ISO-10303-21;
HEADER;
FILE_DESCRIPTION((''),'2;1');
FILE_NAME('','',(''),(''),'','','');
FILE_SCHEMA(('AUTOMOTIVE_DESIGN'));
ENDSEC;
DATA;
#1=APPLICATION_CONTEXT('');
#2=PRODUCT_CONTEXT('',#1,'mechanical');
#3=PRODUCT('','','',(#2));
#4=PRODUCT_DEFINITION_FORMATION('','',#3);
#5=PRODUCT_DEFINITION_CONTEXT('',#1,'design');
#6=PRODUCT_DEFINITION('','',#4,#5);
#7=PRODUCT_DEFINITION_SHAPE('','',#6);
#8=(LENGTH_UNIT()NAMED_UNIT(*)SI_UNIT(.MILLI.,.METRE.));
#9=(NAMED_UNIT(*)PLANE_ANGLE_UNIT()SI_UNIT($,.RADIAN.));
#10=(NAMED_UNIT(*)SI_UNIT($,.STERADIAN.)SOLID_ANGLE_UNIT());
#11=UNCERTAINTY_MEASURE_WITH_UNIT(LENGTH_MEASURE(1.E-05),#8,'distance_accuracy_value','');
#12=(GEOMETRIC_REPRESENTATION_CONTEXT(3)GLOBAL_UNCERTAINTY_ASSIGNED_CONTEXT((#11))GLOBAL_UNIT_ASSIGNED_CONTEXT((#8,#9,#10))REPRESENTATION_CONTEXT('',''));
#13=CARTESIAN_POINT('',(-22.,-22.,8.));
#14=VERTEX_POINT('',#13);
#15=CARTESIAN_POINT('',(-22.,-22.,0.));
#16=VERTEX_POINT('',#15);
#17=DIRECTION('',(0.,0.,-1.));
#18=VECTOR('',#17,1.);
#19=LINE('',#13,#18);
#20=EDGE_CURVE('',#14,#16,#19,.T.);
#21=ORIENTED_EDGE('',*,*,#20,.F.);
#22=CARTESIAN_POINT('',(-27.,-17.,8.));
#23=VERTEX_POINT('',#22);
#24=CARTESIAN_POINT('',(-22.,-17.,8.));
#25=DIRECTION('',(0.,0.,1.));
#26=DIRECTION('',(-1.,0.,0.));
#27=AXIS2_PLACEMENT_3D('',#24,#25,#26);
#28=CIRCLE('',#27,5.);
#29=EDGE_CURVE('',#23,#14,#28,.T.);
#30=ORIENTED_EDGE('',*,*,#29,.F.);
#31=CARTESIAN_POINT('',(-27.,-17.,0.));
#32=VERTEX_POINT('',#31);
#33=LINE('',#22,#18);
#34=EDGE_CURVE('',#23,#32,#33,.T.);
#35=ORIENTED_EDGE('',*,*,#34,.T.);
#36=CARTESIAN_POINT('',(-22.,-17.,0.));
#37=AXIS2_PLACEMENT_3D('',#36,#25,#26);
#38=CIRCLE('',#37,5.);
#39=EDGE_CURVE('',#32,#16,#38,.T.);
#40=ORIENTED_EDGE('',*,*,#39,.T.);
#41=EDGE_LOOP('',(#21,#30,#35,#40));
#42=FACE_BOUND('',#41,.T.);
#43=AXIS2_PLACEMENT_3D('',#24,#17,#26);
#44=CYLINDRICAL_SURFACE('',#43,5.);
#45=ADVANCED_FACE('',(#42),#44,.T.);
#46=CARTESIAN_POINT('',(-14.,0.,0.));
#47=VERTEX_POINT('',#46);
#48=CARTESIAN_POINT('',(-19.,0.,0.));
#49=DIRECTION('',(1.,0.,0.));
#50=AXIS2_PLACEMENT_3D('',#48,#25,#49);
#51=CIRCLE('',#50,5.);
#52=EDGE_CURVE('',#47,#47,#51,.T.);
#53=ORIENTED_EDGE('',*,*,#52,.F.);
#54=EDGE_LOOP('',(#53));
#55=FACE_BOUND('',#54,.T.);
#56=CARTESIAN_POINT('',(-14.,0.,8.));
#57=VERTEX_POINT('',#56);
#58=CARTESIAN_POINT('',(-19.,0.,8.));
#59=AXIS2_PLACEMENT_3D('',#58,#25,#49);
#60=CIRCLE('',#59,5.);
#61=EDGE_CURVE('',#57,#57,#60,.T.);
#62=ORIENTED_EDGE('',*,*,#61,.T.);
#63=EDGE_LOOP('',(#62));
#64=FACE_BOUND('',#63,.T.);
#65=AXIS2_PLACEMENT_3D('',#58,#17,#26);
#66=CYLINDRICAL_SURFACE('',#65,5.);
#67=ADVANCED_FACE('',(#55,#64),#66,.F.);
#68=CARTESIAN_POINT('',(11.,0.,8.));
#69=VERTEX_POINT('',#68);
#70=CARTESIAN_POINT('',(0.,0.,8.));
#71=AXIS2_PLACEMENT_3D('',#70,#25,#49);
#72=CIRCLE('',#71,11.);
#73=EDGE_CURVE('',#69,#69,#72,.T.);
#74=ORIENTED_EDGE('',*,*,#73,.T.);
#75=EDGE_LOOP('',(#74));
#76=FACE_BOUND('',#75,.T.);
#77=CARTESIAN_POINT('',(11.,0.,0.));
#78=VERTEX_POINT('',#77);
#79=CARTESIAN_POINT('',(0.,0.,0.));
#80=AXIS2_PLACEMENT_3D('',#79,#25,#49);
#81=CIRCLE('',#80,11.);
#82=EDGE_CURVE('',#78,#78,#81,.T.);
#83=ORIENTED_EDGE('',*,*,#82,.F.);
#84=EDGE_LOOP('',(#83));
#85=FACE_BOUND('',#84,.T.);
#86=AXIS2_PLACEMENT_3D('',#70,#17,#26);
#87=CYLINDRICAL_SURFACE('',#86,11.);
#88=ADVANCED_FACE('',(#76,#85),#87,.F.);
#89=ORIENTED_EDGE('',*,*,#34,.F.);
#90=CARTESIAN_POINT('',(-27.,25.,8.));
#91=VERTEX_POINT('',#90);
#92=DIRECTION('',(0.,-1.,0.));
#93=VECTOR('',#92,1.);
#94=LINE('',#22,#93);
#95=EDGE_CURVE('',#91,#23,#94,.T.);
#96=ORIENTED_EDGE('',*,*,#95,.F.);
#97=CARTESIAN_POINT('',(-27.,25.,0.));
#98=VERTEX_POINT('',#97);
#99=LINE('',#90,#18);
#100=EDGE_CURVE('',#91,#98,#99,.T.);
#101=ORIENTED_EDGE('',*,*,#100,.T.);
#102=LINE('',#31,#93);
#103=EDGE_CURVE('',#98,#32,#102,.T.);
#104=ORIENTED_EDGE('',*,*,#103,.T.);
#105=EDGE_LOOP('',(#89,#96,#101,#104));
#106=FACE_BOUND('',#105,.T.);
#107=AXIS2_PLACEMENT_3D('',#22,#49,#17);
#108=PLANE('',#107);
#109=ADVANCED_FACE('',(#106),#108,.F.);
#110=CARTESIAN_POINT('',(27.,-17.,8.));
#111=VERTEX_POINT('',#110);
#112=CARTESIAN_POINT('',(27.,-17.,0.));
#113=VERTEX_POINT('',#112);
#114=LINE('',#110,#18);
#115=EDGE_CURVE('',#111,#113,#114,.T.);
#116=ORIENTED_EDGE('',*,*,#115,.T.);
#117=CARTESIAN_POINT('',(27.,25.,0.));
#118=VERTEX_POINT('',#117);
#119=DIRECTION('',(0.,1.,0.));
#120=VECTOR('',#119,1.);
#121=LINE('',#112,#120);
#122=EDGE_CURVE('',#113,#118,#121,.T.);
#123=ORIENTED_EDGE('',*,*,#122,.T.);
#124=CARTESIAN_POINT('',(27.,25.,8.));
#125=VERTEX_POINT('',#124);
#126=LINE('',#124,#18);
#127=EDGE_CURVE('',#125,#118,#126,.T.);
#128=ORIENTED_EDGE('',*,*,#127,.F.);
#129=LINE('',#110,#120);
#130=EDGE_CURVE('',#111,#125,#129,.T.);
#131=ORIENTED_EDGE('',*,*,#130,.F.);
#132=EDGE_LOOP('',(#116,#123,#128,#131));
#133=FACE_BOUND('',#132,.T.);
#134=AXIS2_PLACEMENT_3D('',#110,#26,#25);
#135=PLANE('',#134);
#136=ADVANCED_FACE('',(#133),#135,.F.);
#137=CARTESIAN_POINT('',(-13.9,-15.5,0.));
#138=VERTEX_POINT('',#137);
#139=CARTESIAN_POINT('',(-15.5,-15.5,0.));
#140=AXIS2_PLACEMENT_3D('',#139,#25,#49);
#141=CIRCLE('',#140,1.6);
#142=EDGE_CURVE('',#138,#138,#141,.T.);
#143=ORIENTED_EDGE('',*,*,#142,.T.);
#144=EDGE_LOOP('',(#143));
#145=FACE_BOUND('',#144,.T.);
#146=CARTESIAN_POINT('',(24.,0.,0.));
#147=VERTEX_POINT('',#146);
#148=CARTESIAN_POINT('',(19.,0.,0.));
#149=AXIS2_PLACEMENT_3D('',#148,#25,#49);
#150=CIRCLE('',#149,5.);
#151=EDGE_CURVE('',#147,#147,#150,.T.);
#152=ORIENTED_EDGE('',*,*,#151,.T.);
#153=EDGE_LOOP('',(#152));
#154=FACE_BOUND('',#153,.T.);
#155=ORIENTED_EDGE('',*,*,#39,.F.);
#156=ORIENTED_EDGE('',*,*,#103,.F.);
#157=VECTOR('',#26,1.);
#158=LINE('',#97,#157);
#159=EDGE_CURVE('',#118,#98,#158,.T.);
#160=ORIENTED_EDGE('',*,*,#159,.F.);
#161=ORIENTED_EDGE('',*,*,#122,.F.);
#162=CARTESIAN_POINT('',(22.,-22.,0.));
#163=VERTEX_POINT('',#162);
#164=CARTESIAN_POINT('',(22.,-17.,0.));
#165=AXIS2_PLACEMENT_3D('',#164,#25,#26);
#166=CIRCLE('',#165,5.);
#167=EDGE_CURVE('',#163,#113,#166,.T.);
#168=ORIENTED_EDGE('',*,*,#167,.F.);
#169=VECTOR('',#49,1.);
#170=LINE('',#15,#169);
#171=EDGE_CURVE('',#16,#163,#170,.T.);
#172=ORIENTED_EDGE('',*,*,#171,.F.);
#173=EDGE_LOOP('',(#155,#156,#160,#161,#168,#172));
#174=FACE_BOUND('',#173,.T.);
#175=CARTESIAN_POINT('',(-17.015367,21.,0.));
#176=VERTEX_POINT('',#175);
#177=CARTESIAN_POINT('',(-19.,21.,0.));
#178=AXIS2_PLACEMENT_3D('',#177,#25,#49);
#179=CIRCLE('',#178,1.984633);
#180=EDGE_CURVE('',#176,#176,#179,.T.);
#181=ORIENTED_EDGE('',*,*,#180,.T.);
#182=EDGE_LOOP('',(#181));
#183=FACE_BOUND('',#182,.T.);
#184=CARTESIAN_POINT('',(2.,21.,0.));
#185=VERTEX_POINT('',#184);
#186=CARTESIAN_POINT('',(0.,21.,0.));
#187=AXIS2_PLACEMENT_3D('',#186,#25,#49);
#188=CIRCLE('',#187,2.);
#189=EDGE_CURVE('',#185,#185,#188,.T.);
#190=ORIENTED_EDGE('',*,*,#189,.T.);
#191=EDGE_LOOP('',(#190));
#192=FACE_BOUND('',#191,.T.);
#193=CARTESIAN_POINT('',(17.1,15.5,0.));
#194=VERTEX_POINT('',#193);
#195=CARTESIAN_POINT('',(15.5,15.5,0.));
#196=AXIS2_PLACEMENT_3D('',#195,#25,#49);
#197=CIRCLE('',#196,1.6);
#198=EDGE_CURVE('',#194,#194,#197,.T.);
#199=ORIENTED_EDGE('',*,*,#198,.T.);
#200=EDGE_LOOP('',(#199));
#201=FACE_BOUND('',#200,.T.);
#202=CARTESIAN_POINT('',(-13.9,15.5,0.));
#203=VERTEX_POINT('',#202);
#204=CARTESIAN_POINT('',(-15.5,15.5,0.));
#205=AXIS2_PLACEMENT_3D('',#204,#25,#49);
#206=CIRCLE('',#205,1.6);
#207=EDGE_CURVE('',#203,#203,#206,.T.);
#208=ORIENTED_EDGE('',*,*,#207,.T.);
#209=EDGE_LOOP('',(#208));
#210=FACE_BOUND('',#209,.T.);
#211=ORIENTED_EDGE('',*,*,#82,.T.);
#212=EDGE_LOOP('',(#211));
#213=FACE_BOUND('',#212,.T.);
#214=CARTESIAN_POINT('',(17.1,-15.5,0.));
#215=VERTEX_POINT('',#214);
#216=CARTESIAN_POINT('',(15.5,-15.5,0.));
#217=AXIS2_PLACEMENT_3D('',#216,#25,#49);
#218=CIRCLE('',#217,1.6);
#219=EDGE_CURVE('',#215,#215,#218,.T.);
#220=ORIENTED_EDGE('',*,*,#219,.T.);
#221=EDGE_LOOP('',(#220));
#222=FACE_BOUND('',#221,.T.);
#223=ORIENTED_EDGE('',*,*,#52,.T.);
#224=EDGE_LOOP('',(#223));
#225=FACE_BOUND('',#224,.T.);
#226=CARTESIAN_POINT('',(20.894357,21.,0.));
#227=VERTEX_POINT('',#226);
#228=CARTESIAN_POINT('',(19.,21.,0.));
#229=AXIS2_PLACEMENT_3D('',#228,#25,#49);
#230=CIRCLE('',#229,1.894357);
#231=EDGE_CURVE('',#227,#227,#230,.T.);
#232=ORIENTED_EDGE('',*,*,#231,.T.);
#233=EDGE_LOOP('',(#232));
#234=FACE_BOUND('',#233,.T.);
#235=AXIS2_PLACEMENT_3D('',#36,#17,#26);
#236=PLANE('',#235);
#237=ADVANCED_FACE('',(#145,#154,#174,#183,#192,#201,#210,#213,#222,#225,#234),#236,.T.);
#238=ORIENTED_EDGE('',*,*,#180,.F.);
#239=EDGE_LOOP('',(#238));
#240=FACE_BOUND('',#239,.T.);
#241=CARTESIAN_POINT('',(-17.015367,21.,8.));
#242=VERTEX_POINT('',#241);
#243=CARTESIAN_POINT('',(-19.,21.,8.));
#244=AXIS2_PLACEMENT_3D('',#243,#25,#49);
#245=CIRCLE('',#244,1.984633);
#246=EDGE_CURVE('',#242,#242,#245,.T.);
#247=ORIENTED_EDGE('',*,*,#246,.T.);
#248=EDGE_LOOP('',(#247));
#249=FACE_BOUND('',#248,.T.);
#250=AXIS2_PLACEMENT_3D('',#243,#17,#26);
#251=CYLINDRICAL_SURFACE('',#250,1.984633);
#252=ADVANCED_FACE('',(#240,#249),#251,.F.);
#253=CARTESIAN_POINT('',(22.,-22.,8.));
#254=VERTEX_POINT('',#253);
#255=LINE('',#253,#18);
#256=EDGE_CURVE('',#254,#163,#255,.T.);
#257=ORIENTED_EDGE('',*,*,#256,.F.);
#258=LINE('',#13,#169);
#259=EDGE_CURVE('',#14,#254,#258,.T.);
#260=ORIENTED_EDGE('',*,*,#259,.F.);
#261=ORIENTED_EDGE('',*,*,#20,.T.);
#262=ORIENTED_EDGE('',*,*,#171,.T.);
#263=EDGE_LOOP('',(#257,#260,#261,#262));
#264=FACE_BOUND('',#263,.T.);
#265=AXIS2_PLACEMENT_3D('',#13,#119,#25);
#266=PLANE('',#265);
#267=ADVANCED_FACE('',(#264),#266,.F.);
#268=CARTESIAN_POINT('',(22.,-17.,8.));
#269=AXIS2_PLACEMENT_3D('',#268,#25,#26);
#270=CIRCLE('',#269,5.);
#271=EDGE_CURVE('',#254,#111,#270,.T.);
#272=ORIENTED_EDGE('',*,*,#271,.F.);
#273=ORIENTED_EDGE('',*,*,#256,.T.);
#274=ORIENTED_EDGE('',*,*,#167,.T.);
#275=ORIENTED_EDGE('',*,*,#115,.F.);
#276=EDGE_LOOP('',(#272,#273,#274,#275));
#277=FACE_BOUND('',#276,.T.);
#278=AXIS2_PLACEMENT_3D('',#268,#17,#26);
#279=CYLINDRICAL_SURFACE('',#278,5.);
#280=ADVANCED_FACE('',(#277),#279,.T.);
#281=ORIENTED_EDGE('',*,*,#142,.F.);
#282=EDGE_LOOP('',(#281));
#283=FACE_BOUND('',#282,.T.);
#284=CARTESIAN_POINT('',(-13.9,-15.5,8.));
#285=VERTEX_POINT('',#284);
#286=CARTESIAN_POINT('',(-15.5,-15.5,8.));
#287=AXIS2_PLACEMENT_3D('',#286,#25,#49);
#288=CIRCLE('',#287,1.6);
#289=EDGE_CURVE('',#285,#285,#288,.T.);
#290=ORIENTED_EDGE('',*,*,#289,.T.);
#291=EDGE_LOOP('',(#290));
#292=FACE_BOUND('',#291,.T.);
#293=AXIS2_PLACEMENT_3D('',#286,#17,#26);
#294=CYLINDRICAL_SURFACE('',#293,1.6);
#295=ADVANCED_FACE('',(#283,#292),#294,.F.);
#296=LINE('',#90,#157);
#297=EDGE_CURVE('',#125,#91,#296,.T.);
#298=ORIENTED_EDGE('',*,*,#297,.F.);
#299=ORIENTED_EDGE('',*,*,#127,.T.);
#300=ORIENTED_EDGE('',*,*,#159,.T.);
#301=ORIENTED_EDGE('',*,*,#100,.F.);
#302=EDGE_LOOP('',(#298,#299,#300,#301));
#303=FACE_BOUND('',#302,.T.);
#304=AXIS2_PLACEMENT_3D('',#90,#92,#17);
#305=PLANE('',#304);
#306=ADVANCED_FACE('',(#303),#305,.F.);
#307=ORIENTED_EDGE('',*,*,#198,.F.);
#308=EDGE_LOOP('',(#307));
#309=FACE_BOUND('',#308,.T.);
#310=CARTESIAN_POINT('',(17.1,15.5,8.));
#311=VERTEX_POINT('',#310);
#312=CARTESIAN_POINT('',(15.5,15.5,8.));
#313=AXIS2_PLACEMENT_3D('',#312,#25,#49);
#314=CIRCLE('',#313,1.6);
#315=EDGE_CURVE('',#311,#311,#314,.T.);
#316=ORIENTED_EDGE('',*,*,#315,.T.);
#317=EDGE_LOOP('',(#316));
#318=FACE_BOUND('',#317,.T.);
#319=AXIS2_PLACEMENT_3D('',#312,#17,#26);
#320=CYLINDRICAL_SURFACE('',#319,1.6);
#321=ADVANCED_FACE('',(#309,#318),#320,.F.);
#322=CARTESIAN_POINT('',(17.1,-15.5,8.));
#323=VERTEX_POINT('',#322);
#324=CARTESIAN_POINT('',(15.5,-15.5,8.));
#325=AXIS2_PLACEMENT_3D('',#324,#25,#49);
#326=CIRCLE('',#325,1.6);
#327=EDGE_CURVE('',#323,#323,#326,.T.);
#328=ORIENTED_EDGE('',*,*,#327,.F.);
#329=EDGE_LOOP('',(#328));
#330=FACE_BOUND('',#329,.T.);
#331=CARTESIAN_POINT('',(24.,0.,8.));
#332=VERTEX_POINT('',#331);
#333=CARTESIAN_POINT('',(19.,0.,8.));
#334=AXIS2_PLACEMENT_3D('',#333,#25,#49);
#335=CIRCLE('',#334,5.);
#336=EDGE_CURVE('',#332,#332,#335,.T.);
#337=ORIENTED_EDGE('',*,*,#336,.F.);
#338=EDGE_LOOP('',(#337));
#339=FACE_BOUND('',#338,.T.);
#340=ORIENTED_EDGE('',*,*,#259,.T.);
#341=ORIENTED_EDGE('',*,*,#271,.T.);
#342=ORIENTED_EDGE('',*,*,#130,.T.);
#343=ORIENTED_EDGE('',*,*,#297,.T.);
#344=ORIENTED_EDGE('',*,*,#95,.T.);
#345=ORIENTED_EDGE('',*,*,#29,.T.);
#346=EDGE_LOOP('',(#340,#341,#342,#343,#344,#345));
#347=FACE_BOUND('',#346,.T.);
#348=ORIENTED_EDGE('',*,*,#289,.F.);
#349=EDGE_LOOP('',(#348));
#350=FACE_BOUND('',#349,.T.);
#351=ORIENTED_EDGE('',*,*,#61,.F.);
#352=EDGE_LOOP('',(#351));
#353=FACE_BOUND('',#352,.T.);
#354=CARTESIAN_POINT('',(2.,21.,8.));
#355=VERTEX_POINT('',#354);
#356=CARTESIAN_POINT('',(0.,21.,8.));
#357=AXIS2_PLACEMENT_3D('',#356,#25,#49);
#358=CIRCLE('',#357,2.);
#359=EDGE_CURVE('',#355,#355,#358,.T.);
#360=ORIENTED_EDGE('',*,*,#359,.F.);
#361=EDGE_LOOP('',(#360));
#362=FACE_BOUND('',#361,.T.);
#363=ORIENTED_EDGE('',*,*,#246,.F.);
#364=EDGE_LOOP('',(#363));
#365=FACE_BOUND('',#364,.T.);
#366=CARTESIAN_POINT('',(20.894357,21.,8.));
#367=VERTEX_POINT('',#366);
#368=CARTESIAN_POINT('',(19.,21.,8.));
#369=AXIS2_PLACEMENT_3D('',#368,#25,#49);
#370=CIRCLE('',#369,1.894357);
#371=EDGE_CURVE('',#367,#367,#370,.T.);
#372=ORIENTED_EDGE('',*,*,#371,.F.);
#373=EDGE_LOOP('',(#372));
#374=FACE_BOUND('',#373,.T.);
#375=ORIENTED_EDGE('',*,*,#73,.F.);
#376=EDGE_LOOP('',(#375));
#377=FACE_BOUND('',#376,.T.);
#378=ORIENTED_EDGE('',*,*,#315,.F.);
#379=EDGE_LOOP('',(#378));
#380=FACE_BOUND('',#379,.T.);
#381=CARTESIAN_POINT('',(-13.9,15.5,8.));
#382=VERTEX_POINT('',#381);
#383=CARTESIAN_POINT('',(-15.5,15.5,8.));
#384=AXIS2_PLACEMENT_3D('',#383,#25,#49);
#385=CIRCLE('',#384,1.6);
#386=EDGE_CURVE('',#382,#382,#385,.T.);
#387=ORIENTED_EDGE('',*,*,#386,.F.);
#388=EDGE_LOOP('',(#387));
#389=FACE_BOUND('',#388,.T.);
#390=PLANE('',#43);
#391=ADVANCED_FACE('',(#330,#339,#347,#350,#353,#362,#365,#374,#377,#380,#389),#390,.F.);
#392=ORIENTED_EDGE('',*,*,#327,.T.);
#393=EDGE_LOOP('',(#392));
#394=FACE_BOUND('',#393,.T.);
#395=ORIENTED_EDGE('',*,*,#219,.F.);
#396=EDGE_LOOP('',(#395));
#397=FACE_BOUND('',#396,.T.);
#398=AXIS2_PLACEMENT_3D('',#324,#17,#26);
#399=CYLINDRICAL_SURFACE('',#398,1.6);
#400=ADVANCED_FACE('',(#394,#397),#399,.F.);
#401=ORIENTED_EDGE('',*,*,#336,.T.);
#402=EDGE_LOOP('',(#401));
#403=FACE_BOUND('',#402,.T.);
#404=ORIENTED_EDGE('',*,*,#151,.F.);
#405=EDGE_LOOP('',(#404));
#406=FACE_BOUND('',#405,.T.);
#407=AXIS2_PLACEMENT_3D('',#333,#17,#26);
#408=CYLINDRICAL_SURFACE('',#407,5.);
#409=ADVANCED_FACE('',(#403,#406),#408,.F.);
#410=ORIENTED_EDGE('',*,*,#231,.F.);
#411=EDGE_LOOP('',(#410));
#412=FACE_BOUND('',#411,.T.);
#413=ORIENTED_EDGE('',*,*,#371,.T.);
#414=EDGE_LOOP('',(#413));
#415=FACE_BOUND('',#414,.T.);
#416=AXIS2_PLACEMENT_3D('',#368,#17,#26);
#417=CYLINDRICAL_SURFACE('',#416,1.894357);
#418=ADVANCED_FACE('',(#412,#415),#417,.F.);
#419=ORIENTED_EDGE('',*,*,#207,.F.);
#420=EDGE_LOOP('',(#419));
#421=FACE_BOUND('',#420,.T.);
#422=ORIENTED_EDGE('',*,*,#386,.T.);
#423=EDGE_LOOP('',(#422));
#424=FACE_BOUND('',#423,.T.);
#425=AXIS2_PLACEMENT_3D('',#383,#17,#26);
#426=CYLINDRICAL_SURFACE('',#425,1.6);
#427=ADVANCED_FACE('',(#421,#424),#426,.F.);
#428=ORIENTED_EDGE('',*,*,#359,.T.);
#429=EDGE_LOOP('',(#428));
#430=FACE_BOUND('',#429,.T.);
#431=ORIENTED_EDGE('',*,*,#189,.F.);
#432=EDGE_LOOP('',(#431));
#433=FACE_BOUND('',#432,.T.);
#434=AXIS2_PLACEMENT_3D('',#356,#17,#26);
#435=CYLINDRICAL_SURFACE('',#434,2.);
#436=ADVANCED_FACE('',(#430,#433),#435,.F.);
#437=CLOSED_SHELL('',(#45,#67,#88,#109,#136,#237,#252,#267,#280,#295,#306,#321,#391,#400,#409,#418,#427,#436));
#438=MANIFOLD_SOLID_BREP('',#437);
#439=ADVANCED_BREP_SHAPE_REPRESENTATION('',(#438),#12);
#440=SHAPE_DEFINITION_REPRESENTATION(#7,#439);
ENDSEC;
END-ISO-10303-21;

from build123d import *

# Parameters (mm, degrees)
SKETCH1_R           = 5
SKETCH1_R_2         = 11
SKETCH1_R_3         = 2
SKETCH1_R_4         = 1.984633097
SKETCH1_R_5         = 1.894356903
SKETCH1_R_6         = 1.6
BOSS_EXTRUDE1_DEPTH = 8


with BuildPart() as part:
    # Sketch1 → Boss-Extrude1 (new body)
    with BuildSketch(Plane.XY):
        with BuildLine():
            Line((-22, -22), (22, -22))
            ThreePointArc((22, -22), (25.535533906, -20.535533906), (27, -17))
            Line((27, -17), (27, 25))
            Line((27, 25), (-27, 25))
            Line((-27, 25), (-27, -17))
            ThreePointArc((-27, -17), (-25.535533906, -20.535533906), (-22, -22))
        make_face()
        with Locations((-19, 0)):
            Circle(SKETCH1_R, mode=Mode.SUBTRACT)
        with Locations((19, 0)):
            Circle(SKETCH1_R, mode=Mode.SUBTRACT)
        Circle(SKETCH1_R_2, mode=Mode.SUBTRACT)
        with Locations((0, 21)):
            Circle(SKETCH1_R_3, mode=Mode.SUBTRACT)
        with Locations((-19, 21)):
            Circle(SKETCH1_R_4, mode=Mode.SUBTRACT)
        with Locations((19, 21)):
            Circle(SKETCH1_R_5, mode=Mode.SUBTRACT)
        with Locations((-15.5, 15.5)):
            Circle(SKETCH1_R_6, mode=Mode.SUBTRACT)
        with Locations((15.5, 15.5)):
            Circle(SKETCH1_R_6, mode=Mode.SUBTRACT)
        with Locations((15.5, -15.5)):
            Circle(SKETCH1_R_6, mode=Mode.SUBTRACT)
        with Locations((-15.5, -15.5)):
            Circle(SKETCH1_R_6, mode=Mode.SUBTRACT)
    extrude(amount=BOSS_EXTRUDE1_DEPTH)


solid = part.part
